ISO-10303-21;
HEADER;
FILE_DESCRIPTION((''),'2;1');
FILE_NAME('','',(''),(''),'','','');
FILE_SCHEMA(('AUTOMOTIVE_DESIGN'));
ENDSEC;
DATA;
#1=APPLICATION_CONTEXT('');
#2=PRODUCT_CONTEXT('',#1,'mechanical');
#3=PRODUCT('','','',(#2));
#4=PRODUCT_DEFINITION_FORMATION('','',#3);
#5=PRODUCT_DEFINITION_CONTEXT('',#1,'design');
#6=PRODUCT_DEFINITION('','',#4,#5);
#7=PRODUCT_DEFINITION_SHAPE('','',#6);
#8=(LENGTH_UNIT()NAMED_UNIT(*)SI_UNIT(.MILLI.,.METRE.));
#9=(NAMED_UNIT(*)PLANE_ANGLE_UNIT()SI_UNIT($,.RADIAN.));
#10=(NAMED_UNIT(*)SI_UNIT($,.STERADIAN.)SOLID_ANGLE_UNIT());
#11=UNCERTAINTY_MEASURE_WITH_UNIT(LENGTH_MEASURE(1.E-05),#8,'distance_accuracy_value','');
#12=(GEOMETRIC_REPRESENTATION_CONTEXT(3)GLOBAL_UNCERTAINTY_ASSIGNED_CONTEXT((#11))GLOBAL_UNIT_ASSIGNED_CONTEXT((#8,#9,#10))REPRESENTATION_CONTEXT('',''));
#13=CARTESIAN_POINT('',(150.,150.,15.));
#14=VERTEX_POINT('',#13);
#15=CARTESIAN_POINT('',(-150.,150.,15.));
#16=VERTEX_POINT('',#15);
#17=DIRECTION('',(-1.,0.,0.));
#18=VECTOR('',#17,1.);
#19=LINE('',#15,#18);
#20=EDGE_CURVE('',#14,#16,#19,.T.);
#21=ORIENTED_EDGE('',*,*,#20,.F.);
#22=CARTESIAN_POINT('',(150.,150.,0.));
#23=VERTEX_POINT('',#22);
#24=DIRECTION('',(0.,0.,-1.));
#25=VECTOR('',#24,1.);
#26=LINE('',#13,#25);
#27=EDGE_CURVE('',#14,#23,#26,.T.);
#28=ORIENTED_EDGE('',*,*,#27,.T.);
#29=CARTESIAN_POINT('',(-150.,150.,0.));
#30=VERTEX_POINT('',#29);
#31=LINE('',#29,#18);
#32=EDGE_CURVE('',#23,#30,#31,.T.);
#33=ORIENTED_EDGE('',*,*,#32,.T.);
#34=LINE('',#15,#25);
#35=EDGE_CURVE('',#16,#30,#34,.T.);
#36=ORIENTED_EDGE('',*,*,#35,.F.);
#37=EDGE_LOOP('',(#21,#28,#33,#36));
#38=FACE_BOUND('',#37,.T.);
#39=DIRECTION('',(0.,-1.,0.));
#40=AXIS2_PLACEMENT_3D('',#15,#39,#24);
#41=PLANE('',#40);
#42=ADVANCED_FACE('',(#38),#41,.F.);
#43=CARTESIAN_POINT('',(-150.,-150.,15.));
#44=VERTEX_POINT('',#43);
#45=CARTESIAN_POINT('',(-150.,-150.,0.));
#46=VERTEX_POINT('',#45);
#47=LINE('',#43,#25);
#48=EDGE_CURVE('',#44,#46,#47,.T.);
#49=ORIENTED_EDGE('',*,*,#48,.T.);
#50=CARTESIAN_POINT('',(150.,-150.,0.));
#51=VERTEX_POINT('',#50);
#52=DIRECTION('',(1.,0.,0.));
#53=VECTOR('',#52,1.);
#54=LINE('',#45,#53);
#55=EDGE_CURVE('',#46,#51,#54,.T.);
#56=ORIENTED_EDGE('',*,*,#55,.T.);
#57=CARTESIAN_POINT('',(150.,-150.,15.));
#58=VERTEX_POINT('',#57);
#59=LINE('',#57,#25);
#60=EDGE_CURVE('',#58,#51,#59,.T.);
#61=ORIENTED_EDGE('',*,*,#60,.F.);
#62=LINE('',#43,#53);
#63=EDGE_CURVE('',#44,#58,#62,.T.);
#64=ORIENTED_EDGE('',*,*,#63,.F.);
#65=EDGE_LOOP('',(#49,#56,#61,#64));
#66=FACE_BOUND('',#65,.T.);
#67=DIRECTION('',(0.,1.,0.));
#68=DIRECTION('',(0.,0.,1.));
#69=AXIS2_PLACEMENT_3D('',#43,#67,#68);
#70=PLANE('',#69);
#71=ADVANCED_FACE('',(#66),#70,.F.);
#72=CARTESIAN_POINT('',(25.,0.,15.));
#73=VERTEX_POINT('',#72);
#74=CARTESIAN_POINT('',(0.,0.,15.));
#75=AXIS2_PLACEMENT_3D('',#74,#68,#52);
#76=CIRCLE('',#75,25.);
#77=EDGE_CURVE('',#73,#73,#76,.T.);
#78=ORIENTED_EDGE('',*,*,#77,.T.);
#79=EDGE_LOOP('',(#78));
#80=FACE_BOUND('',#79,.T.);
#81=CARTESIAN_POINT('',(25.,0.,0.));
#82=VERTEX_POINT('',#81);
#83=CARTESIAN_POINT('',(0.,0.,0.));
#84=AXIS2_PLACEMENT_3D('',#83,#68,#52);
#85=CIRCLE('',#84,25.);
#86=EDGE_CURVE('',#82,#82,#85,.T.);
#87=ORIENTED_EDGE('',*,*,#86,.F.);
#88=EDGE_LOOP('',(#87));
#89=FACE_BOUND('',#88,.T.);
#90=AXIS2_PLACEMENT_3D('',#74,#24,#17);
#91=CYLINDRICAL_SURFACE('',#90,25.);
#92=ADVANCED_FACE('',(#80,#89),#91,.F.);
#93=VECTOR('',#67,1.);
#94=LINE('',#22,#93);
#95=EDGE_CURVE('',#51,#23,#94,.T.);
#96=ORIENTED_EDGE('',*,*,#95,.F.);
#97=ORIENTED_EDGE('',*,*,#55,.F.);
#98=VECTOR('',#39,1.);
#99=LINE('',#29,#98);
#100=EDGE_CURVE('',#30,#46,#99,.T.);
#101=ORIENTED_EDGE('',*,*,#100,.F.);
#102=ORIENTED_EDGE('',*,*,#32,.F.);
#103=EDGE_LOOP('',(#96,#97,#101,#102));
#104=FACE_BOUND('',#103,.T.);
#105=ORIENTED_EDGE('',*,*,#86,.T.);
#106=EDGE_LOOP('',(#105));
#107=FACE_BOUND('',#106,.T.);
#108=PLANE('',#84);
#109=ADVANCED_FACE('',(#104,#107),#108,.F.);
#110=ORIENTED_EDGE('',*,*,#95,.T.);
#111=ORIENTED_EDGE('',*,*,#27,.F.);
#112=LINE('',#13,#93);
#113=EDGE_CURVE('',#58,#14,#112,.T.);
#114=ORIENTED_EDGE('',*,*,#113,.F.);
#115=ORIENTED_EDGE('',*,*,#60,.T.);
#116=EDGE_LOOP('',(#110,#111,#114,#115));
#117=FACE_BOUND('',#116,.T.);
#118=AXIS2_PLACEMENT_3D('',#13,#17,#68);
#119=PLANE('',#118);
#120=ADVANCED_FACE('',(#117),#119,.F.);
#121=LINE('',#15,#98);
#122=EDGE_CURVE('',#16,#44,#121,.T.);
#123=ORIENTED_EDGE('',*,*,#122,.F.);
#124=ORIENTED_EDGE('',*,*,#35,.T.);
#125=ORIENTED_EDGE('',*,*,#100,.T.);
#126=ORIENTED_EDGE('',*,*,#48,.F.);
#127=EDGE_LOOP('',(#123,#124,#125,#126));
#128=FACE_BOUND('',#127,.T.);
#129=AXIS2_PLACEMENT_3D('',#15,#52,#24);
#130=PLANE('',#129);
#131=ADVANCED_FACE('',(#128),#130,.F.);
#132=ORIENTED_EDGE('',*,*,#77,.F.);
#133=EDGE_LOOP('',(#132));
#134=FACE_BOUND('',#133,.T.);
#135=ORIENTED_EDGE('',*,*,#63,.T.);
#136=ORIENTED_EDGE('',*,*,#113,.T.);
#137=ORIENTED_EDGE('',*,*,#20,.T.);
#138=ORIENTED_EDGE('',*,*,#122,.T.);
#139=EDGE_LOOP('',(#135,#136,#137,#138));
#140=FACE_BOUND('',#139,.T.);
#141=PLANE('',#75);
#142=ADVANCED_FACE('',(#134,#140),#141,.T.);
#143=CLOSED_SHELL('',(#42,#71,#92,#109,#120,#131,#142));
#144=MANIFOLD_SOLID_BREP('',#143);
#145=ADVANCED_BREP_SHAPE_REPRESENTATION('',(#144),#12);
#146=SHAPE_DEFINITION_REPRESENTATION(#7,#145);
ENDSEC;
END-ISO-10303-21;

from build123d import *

# Parameters (mm, degrees)
SKETCH_1_W      = 300
SKETCH_1_H      = 300
SKETCH_1_R      = 25
EXTRUDE_1_DEPTH = 15


with BuildPart() as part:
    # ｽｹｯﾁ1 → ﾎﾞｽ - 押し出し1 (new body)
    with BuildSketch(Plane.XY):
        Rectangle(SKETCH_1_W, SKETCH_1_H)
        Circle(SKETCH_1_R, mode=Mode.SUBTRACT)
    extrude(amount=EXTRUDE_1_DEPTH)


solid = part.part
